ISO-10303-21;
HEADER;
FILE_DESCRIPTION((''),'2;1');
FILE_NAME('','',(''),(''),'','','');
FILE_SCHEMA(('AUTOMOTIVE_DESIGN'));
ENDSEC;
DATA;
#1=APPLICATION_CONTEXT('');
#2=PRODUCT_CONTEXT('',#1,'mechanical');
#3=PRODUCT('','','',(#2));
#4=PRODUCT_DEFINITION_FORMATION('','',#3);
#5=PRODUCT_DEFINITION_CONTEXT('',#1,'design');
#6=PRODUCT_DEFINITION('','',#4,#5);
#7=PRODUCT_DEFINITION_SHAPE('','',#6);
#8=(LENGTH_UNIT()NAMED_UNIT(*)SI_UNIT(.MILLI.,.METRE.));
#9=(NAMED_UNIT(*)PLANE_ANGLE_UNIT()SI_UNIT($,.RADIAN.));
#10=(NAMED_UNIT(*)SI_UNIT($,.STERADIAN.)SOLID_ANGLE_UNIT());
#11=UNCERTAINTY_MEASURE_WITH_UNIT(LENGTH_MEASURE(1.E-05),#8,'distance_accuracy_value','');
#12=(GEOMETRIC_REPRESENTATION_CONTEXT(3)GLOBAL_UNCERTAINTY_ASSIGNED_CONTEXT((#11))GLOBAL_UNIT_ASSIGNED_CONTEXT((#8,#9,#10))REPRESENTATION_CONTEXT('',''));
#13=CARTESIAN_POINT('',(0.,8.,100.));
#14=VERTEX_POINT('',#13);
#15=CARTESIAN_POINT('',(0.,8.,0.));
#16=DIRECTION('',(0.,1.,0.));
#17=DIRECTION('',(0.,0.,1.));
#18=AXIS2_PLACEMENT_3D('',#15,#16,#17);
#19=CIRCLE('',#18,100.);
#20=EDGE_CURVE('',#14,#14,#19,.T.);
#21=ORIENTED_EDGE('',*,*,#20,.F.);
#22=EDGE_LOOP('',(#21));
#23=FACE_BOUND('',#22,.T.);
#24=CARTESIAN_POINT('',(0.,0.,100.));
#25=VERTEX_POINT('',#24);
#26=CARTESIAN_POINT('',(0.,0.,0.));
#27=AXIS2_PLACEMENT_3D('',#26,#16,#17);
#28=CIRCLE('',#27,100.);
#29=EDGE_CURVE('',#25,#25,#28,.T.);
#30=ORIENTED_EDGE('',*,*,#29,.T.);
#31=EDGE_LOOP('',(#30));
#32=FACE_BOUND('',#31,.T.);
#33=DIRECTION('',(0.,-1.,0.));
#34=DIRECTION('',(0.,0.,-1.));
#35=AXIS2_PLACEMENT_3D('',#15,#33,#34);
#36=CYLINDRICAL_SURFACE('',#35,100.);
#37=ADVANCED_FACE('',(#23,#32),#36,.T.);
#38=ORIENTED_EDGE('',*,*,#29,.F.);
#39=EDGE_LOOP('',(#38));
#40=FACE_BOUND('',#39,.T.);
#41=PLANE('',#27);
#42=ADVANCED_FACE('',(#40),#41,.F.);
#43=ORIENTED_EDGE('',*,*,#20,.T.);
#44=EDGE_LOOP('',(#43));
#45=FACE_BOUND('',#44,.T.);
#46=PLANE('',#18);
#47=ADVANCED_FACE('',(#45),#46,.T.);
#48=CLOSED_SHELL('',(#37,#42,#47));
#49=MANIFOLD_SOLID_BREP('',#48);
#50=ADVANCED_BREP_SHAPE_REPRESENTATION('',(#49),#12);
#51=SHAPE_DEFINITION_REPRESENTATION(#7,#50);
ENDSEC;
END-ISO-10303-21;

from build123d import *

# Parameters (mm, degrees)
SKETCH_1_R      = 100
EXTRUDE_1_DEPTH = 8


with BuildPart() as part:
    # 草图1 → 凸台-拉伸1 (new body)
    with BuildSketch(Plane(origin=(0, 0, 0), x_dir=(1, 0, 0), z_dir=(0, 1, 0))):
        Circle(SKETCH_1_R)
    extrude(amount=EXTRUDE_1_DEPTH)


solid = part.part
